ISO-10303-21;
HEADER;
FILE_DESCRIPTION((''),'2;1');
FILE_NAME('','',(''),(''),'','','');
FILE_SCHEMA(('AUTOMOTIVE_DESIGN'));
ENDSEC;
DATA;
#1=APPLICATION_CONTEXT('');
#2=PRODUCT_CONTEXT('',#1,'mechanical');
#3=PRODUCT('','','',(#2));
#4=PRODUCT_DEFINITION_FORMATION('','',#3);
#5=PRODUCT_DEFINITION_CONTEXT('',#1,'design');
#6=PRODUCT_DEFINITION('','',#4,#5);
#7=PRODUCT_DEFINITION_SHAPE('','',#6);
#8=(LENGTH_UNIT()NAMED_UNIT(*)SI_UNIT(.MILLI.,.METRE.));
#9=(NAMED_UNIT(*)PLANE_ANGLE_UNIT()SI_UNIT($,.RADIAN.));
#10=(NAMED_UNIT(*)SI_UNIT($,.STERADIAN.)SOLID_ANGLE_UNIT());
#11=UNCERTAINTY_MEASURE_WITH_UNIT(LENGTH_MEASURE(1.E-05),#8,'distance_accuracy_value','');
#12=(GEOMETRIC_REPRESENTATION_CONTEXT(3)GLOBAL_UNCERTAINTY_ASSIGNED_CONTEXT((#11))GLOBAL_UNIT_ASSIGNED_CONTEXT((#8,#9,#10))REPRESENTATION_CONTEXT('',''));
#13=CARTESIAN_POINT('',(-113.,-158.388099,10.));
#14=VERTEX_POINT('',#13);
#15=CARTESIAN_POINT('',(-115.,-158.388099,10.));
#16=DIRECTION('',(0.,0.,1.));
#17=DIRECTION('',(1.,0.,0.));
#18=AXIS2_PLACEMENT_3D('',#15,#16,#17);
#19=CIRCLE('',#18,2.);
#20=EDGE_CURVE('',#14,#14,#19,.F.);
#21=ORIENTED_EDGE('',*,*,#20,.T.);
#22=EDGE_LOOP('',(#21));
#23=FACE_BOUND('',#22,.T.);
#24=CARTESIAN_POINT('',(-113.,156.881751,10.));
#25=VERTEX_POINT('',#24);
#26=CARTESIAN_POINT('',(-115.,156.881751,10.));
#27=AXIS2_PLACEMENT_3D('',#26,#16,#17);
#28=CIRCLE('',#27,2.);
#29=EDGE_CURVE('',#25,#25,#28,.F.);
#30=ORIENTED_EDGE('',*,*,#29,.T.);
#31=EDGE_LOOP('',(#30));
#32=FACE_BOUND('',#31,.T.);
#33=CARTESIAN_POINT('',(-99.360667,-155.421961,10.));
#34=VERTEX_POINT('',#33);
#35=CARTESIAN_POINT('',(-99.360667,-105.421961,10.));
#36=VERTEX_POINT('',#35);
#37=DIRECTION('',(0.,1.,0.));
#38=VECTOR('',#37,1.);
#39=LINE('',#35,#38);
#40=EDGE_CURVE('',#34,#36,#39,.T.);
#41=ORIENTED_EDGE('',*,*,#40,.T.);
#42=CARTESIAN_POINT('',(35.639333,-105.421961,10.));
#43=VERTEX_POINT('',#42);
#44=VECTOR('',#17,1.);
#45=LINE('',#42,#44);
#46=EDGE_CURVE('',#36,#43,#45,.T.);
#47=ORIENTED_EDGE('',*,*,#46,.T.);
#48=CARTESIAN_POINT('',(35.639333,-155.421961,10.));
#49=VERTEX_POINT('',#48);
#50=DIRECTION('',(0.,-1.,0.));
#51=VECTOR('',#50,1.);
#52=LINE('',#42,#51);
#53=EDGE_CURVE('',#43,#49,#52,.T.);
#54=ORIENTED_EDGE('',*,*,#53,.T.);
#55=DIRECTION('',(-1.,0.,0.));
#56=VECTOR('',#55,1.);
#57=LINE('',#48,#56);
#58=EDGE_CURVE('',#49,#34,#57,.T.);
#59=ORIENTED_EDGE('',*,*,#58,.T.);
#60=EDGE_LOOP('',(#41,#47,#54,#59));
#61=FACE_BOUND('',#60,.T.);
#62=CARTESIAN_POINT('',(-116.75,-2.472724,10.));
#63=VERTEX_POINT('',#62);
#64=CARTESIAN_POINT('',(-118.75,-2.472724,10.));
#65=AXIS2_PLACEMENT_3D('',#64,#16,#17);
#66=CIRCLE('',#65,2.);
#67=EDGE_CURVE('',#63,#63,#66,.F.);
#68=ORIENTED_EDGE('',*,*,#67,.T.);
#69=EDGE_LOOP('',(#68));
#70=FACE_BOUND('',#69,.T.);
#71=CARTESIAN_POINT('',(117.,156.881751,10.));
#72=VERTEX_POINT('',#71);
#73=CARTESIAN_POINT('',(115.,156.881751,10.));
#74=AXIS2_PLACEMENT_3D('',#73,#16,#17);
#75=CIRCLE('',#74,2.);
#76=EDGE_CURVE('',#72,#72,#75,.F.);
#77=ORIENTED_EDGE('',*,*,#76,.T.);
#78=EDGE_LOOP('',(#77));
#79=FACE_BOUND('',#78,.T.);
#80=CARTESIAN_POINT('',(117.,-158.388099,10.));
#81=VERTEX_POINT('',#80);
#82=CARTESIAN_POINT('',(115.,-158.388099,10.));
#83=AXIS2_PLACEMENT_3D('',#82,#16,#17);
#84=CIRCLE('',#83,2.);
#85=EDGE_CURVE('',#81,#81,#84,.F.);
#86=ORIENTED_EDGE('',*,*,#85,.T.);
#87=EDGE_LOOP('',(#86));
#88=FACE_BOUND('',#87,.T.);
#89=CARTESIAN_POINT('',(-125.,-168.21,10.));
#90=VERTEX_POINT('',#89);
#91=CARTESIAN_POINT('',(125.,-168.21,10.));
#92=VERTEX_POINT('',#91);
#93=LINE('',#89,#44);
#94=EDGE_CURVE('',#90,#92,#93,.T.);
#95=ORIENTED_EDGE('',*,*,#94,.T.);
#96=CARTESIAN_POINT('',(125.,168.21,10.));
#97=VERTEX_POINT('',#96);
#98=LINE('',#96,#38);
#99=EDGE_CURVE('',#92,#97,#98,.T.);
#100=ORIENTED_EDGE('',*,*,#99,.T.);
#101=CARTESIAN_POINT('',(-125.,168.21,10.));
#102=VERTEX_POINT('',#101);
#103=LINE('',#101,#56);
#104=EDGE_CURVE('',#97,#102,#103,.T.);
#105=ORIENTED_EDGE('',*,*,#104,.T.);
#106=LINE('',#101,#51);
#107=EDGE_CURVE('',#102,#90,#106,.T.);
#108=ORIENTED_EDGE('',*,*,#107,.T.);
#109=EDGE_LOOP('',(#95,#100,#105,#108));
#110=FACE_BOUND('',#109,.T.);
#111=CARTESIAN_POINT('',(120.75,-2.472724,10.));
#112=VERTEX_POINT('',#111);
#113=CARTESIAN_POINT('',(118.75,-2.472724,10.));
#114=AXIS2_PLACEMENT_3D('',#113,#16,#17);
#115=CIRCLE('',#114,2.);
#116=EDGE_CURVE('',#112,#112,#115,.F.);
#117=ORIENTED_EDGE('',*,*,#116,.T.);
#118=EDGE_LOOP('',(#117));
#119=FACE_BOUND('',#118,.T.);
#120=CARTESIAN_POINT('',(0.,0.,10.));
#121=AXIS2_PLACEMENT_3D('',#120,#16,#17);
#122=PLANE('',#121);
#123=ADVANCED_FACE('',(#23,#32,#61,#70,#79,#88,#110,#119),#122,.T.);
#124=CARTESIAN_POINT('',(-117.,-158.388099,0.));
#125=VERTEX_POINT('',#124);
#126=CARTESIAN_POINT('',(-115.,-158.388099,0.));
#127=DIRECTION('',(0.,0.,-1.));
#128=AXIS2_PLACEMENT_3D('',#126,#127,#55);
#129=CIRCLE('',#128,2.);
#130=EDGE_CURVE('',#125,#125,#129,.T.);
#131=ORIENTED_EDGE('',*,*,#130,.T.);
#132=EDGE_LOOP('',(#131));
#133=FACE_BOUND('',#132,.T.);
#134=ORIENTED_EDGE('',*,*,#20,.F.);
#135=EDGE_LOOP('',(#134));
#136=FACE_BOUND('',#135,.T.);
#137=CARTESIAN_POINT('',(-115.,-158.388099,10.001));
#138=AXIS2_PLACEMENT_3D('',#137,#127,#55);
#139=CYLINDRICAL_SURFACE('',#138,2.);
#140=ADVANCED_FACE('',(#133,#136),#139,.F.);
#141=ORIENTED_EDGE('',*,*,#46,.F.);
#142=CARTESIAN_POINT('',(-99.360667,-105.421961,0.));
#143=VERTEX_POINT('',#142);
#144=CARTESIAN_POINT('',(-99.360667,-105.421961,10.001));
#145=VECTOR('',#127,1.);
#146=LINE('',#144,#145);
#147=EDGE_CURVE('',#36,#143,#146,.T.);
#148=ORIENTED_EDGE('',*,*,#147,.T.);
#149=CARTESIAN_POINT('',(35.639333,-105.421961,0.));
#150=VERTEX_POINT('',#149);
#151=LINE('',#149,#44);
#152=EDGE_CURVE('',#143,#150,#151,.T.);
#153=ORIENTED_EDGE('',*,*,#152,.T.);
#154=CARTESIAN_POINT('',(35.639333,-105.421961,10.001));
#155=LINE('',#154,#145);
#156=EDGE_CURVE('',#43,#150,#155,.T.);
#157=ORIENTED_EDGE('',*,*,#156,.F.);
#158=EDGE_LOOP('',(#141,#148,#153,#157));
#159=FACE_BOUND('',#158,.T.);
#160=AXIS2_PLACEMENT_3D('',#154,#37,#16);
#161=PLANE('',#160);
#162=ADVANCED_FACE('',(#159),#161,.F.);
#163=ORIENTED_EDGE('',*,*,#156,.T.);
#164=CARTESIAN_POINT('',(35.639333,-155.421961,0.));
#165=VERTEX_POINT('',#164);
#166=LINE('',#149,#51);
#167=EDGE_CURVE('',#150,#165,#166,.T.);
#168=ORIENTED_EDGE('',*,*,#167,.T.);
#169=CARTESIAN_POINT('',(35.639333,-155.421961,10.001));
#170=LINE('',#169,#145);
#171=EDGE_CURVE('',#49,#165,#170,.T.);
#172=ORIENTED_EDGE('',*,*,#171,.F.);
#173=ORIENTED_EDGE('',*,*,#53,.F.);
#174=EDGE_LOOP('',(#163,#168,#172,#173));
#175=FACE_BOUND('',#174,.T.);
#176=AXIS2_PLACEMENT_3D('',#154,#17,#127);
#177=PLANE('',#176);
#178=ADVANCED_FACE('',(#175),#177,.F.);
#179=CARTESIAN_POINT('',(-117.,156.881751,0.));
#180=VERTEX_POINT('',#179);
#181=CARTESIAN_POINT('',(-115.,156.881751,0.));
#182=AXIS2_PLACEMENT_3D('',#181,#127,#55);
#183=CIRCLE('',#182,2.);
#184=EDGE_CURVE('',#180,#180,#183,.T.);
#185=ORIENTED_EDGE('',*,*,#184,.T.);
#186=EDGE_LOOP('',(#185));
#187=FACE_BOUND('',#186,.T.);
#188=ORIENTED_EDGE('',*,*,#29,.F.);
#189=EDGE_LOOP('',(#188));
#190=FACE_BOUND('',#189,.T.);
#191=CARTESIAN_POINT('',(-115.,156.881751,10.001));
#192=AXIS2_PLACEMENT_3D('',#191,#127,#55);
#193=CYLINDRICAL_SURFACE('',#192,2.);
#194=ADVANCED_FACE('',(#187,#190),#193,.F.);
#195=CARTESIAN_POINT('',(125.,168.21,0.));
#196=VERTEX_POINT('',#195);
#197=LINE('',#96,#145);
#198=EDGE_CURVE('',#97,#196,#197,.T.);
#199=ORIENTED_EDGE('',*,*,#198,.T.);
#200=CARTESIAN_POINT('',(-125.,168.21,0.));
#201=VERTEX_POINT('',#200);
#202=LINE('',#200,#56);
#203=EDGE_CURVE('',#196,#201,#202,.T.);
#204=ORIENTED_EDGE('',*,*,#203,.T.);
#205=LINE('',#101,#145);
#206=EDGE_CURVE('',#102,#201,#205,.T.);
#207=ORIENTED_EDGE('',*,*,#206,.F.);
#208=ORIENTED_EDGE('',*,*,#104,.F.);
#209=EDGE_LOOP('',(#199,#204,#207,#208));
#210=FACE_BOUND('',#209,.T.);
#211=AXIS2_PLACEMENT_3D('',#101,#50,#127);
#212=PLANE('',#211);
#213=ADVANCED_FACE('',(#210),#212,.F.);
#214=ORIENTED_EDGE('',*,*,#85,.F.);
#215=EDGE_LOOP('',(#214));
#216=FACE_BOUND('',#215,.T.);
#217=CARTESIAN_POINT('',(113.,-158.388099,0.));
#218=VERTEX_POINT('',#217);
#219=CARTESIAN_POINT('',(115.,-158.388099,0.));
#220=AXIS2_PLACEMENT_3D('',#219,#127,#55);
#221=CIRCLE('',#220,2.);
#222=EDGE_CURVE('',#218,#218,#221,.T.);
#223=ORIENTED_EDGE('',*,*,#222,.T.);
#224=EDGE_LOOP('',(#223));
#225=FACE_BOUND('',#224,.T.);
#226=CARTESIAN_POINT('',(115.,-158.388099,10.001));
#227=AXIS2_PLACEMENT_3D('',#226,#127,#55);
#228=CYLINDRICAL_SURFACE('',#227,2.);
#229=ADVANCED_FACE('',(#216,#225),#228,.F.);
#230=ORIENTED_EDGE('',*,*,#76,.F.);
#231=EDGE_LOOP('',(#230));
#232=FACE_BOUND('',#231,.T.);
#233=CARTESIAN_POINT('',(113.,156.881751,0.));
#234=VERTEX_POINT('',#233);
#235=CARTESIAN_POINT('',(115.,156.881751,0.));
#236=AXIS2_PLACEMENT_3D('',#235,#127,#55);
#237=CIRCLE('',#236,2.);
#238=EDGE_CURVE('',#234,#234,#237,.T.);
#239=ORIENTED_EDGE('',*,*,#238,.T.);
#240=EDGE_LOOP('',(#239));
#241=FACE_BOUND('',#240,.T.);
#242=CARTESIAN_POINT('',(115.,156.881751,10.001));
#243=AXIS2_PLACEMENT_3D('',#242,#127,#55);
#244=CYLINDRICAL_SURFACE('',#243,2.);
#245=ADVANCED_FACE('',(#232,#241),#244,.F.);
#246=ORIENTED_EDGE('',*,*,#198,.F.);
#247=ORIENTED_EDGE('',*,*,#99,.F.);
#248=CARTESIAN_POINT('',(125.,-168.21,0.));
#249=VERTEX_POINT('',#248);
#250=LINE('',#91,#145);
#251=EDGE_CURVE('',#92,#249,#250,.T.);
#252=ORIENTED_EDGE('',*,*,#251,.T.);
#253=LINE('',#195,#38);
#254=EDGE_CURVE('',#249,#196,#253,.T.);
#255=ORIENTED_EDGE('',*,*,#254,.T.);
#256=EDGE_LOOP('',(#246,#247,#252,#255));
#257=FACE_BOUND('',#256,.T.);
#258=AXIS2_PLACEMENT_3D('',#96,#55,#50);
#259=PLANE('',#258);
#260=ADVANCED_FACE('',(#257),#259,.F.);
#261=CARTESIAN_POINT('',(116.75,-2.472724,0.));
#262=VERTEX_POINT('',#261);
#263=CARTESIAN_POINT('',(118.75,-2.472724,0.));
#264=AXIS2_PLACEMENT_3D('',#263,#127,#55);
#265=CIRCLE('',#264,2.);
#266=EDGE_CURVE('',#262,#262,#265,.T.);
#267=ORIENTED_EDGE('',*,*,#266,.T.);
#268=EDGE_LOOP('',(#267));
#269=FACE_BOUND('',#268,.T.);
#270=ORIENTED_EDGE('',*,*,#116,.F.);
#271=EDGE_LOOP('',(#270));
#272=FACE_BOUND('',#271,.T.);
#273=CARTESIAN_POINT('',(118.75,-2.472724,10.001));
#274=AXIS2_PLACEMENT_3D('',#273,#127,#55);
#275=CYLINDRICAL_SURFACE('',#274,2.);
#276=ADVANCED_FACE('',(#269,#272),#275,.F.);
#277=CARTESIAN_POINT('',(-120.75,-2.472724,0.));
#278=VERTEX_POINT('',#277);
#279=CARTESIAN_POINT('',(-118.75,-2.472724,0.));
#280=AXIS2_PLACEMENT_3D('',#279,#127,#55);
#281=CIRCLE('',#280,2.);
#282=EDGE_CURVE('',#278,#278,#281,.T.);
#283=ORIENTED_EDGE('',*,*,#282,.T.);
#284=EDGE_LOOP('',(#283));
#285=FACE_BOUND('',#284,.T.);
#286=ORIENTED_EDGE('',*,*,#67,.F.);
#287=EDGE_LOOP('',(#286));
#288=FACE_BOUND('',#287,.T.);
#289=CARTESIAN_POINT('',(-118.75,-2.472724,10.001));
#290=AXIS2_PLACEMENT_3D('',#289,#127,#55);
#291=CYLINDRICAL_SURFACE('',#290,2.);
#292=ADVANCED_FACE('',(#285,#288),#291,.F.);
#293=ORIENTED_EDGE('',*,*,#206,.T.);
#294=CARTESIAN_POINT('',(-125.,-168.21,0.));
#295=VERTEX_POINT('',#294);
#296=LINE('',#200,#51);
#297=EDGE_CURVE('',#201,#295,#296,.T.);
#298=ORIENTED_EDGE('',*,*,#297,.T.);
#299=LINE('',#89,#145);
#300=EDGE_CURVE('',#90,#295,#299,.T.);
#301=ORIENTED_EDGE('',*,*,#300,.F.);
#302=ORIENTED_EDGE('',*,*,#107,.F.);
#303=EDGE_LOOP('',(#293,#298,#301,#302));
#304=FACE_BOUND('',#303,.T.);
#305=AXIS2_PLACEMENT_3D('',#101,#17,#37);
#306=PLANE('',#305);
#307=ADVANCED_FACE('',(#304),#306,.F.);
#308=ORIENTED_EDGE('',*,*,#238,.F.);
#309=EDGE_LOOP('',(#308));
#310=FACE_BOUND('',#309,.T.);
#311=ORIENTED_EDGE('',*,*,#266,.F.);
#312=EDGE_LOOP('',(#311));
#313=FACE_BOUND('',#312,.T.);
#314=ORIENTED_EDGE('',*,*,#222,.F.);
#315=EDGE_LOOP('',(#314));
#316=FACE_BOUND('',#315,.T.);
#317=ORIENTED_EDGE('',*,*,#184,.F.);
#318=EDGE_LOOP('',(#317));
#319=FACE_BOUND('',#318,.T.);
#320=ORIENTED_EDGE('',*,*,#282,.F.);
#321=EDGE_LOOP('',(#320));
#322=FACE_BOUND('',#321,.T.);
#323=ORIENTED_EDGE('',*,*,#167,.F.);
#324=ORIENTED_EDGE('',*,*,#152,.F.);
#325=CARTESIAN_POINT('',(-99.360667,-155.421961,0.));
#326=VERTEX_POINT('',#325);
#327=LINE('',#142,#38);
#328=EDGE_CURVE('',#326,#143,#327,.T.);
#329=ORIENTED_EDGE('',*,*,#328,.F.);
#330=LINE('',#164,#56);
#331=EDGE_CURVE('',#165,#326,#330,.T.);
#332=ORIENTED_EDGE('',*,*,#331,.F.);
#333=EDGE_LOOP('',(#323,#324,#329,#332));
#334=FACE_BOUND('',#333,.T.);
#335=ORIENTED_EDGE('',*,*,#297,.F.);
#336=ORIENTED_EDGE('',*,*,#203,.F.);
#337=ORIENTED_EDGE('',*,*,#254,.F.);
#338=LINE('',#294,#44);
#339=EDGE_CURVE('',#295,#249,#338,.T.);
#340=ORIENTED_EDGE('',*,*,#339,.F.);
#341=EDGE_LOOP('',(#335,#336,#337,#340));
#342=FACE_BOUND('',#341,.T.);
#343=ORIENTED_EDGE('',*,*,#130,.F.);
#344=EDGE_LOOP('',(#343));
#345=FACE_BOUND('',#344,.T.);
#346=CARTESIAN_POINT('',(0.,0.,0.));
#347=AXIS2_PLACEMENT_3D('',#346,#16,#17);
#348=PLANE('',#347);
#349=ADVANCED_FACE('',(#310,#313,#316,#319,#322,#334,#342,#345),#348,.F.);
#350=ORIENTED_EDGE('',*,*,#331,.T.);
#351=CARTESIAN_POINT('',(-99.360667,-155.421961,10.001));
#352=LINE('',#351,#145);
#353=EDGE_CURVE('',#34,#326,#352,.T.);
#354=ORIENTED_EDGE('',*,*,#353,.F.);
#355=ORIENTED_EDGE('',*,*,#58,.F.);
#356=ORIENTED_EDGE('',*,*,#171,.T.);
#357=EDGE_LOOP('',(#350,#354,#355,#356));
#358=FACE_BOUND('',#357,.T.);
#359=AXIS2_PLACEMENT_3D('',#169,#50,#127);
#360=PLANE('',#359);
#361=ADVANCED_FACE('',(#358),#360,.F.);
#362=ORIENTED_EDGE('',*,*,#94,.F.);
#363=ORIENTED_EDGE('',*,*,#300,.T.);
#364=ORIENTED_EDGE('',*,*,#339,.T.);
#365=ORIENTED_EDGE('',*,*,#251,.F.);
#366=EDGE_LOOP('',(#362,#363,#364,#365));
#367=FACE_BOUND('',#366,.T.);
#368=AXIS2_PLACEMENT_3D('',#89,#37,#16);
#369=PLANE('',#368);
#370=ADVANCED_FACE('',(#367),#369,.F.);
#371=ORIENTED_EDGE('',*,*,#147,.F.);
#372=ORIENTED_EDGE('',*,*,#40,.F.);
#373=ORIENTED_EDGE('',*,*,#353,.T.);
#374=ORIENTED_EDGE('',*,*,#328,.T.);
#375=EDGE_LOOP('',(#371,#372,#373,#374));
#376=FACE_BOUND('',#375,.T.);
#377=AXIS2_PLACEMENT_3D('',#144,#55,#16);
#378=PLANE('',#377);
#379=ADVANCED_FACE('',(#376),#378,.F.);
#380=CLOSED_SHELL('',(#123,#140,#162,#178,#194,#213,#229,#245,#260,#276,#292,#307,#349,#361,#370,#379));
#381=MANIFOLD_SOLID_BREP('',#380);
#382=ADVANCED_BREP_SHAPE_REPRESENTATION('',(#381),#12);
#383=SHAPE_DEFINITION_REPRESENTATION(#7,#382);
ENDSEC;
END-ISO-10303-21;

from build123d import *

# Parameters (mm, degrees)
CROQUIS1_W              = 250
CROQUIS1_H              = 336.42
SALIENTE_EXTRUIR1_DEPTH = 10
CORTAR_EXTRUIR1_REACH   = 12
CROQUIS2_R              = 2
CORTAR_EXTRUIR2_REACH   = 12
CROQUIS3_W              = 135
CROQUIS3_H              = 50


with BuildPart() as part:
    # Croquis1 → Saliente-Extruir1 (new body)
    with BuildSketch(Plane.XY):
        Rectangle(CROQUIS1_W, CROQUIS1_H)
    extrude(amount=SALIENTE_EXTRUIR1_DEPTH)

    # Croquis2 → Cortar-Extruir1 (cut, up to next)
    with BuildSketch(Plane(origin=(0, 0, 0), x_dir=(-1, 0, 0), z_dir=(0, 0, -1)), mode=Mode.PRIVATE) as cortar_extruir1_sk1:
        with Locations((115, 156.881750805)):
            Circle(CROQUIS2_R)
    cortar_extruir1_tool1 = extrude(cortar_extruir1_sk1.sketch, amount=-CORTAR_EXTRUIR1_REACH, mode=Mode.PRIVATE) & part.part
    add(cortar_extruir1_tool1.solids().sort_by_distance((-115, 156.881751, 0))[0], mode=Mode.SUBTRACT)
    # Croquis2 → Cortar-Extruir1 (cut, up to next)
    with BuildSketch(Plane(origin=(0, 0, 0), x_dir=(-1, 0, 0), z_dir=(0, 0, -1)), mode=Mode.PRIVATE) as cortar_extruir1_sk2:
        with Locations((-115, 156.881750805)):
            Circle(CROQUIS2_R)
    cortar_extruir1_tool2 = extrude(cortar_extruir1_sk2.sketch, amount=-CORTAR_EXTRUIR1_REACH, mode=Mode.PRIVATE) & part.part
    add(cortar_extruir1_tool2.solids().sort_by_distance((115, 156.881751, 0))[0], mode=Mode.SUBTRACT)
    # Croquis2 → Cortar-Extruir1 (cut, up to next)
    with BuildSketch(Plane(origin=(0, 0, 0), x_dir=(-1, 0, 0), z_dir=(0, 0, -1)), mode=Mode.PRIVATE) as cortar_extruir1_sk3:
        with Locations((-118.75, -2.472724195)):
            Circle(CROQUIS2_R)
    cortar_extruir1_tool3 = extrude(cortar_extruir1_sk3.sketch, amount=-CORTAR_EXTRUIR1_REACH, mode=Mode.PRIVATE) & part.part
    add(cortar_extruir1_tool3.solids().sort_by_distance((118.75, -2.472724, 0))[0], mode=Mode.SUBTRACT)
    # Croquis2 → Cortar-Extruir1 (cut, up to next)
    with BuildSketch(Plane(origin=(0, 0, 0), x_dir=(-1, 0, 0), z_dir=(0, 0, -1)), mode=Mode.PRIVATE) as cortar_extruir1_sk4:
        with Locations((118.75, -2.472724195)):
            Circle(CROQUIS2_R)
    cortar_extruir1_tool4 = extrude(cortar_extruir1_sk4.sketch, amount=-CORTAR_EXTRUIR1_REACH, mode=Mode.PRIVATE) & part.part
    add(cortar_extruir1_tool4.solids().sort_by_distance((-118.75, -2.472724, 0))[0], mode=Mode.SUBTRACT)
    # Croquis2 → Cortar-Extruir1 (cut, up to next)
    with BuildSketch(Plane(origin=(0, 0, 0), x_dir=(-1, 0, 0), z_dir=(0, 0, -1)), mode=Mode.PRIVATE) as cortar_extruir1_sk5:
        with Locations((-115, -158.388099131)):
            Circle(CROQUIS2_R)
    cortar_extruir1_tool5 = extrude(cortar_extruir1_sk5.sketch, amount=-CORTAR_EXTRUIR1_REACH, mode=Mode.PRIVATE) & part.part
    add(cortar_extruir1_tool5.solids().sort_by_distance((115, -158.388099, 0))[0], mode=Mode.SUBTRACT)
    # Croquis2 → Cortar-Extruir1 (cut, up to next)
    with BuildSketch(Plane(origin=(0, 0, 0), x_dir=(-1, 0, 0), z_dir=(0, 0, -1)), mode=Mode.PRIVATE) as cortar_extruir1_sk6:
        with Locations((115, -158.388099131)):
            Circle(CROQUIS2_R)
    cortar_extruir1_tool6 = extrude(cortar_extruir1_sk6.sketch, amount=-CORTAR_EXTRUIR1_REACH, mode=Mode.PRIVATE) & part.part
    add(cortar_extruir1_tool6.solids().sort_by_distance((-115, -158.388099, 0))[0], mode=Mode.SUBTRACT)

    # Croquis3 → Cortar-Extruir2 (cut, up to next)
    with BuildSketch(Plane(origin=(0, 0, 0), x_dir=(-1, 0, 0), z_dir=(0, 0, -1)), mode=Mode.PRIVATE) as cortar_extruir2_sk1:
        with Locations((31.860667122, -130.421960957)):
            Rectangle(CROQUIS3_W, CROQUIS3_H)
    cortar_extruir2_tool1 = extrude(cortar_extruir2_sk1.sketch, amount=-CORTAR_EXTRUIR2_REACH, mode=Mode.PRIVATE) & part.part
    add(cortar_extruir2_tool1.solids().sort_by_distance((-31.860667, -130.421961, 0))[0], mode=Mode.SUBTRACT)


solid = part.part
